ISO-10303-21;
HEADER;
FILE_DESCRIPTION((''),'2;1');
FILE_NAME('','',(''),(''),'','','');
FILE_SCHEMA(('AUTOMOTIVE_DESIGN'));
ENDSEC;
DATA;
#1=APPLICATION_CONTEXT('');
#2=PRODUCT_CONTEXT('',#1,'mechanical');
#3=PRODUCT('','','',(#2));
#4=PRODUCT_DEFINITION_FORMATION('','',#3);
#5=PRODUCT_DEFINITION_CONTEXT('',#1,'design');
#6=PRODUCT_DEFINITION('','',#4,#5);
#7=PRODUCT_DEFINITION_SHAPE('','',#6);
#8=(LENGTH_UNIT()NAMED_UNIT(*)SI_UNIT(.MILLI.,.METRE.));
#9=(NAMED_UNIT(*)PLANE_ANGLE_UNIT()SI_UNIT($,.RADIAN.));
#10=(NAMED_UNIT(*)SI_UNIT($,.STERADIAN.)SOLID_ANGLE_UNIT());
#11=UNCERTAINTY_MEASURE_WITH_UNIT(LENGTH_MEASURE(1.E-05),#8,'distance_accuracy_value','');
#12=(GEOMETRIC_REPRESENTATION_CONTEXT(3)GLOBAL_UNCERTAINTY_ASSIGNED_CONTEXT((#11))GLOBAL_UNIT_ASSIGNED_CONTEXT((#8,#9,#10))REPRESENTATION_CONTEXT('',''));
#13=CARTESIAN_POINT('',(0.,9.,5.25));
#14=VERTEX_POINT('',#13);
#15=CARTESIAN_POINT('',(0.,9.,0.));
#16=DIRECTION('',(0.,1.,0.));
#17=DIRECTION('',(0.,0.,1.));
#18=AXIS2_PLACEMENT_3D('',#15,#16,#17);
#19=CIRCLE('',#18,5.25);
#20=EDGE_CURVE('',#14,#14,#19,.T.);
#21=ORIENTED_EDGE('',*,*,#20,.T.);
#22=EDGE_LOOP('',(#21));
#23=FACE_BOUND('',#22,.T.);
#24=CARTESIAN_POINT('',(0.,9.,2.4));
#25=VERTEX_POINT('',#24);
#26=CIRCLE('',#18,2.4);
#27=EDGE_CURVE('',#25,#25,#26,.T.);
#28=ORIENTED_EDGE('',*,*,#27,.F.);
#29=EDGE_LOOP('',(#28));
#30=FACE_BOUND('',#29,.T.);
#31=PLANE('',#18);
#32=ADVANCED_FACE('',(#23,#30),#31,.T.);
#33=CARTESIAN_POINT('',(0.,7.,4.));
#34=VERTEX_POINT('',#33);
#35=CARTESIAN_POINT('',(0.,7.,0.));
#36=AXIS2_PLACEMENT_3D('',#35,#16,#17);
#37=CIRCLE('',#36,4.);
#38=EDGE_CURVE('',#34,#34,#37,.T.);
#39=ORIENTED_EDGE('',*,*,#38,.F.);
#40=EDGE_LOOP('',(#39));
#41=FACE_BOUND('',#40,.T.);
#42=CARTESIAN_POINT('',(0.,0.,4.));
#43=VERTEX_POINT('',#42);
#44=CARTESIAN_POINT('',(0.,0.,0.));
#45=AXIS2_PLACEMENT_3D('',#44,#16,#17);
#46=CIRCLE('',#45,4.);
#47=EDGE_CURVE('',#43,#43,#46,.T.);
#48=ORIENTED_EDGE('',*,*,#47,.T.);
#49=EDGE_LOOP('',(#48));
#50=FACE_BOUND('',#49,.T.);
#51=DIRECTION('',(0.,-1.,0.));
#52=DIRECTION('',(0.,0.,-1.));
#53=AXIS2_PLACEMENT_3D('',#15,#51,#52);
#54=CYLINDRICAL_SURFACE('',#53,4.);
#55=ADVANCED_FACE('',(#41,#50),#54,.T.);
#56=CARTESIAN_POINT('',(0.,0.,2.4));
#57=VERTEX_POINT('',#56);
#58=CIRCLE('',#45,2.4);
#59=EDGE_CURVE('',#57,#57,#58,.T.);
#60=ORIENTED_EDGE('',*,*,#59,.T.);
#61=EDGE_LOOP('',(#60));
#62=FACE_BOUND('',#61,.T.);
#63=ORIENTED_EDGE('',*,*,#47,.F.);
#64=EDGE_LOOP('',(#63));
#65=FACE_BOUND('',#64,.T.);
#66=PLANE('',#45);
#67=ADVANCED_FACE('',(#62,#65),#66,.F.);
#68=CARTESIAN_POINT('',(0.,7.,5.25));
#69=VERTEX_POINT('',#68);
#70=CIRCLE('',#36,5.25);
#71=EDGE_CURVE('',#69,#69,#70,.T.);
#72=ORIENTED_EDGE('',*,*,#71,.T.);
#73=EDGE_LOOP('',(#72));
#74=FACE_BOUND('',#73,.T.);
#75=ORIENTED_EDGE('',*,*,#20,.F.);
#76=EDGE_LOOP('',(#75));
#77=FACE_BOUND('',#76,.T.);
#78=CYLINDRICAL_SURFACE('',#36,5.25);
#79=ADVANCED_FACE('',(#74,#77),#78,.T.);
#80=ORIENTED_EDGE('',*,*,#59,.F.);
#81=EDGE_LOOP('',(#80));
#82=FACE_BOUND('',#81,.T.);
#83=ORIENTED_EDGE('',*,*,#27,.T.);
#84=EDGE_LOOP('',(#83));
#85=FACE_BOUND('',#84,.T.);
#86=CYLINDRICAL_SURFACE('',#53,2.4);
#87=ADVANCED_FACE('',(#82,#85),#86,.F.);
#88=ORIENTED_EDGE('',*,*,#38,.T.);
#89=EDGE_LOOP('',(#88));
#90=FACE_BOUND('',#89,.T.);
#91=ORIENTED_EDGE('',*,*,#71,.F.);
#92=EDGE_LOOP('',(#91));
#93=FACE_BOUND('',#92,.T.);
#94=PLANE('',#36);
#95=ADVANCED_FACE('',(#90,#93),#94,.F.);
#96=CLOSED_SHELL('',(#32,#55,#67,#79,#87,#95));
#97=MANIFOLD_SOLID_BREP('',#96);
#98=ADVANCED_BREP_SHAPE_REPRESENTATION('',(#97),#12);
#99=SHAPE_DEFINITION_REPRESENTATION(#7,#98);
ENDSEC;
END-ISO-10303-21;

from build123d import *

# Parameters (mm, degrees)
SKETCH1_R           = 4
SKETCH1_R_2         = 2.4
BOSS_EXTRUDE1_DEPTH = 9
BOSS_EXTRUDE2_START = -2
SKETCH2_R           = 5.25
SKETCH2_R_2         = 2.4
BOSS_EXTRUDE2_DEPTH = 2


with BuildPart() as part:
    # Sketch1 → Boss-Extrude1 (new body)
    with BuildSketch(Plane(origin=(0, 0, 0), x_dir=(1, 0, 0), z_dir=(0, 1, 0))):
        with Locations(Location((0, 0, 0), (0, 0, 270))):
            Circle(SKETCH1_R)
        with Locations(Location((0, 0, 0), (0, 0, 270))):
            Circle(SKETCH1_R_2, mode=Mode.SUBTRACT)
    extrude(amount=BOSS_EXTRUDE1_DEPTH)

    # Sketch2 → Boss-Extrude2 (add)
    with BuildSketch(Plane(origin=(0, 9, 0), x_dir=(1, 0, 0), z_dir=(0, 1, 0)).offset(BOSS_EXTRUDE2_START)):
        with Locations(Location((0, 0, 0), (0, 0, 270))):
            Circle(SKETCH2_R)
        with Locations(Location((0, 0, 0), (0, 0, 270))):
            Circle(SKETCH2_R_2, mode=Mode.SUBTRACT)
    extrude(amount=BOSS_EXTRUDE2_DEPTH)


solid = part.part
